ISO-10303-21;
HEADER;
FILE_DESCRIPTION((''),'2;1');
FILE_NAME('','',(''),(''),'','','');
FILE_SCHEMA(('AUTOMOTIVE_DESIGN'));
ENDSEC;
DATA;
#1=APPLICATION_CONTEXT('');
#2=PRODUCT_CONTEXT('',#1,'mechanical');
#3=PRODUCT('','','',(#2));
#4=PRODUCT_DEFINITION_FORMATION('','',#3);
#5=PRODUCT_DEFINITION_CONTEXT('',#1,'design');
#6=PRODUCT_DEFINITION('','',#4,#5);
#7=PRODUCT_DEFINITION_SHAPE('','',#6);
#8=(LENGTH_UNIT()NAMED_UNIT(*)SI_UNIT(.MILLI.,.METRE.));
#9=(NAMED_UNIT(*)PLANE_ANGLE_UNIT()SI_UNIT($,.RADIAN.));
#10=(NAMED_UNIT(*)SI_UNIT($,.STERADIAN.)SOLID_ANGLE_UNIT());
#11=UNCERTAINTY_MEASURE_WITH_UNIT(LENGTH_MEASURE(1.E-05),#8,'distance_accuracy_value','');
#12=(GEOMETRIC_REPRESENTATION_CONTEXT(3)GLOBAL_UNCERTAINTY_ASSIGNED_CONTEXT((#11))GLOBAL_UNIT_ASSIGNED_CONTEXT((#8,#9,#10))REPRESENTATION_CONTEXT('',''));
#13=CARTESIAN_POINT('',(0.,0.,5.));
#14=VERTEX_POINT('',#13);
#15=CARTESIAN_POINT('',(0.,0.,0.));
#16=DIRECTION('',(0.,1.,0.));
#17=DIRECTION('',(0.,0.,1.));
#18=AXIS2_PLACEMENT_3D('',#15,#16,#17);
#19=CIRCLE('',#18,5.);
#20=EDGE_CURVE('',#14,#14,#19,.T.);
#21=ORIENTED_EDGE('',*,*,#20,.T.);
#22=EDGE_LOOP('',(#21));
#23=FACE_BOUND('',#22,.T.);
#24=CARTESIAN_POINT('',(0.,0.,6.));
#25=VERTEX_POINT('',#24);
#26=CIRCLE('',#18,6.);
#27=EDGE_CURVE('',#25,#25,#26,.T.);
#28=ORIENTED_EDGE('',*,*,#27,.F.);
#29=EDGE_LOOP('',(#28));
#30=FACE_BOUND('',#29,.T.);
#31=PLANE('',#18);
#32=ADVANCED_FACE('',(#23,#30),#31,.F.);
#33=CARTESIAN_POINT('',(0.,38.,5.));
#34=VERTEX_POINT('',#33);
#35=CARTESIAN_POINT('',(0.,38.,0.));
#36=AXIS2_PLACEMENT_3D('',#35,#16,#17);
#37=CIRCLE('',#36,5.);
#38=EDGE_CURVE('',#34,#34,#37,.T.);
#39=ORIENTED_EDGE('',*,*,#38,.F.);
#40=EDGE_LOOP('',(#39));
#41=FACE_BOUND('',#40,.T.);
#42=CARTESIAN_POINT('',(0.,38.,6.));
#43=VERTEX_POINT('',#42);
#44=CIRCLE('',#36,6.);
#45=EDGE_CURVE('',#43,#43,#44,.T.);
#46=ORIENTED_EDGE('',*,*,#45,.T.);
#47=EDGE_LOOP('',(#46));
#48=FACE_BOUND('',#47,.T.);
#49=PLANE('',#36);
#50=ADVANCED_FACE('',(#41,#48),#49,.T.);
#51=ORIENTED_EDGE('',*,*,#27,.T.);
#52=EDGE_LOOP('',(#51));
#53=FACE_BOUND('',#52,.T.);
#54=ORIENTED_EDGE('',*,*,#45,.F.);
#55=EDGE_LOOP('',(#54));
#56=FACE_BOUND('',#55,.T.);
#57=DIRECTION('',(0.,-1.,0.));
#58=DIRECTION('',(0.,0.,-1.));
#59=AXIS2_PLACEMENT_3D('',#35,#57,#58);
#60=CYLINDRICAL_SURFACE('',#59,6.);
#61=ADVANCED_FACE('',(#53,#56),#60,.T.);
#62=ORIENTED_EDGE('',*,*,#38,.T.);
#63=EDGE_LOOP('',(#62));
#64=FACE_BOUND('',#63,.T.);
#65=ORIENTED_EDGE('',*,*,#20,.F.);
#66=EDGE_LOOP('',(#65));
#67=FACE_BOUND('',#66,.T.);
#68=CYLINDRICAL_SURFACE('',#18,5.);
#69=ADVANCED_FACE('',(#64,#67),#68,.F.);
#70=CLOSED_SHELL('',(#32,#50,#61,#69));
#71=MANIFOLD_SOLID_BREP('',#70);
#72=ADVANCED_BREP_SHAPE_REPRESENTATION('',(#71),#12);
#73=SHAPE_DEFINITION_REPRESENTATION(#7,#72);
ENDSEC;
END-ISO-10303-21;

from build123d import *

# Parameters (mm, degrees)
SKETCH_1_R          = 6
EXTRUDE_1_DEPTH     = 38
SKETCH_2_R          = 5
CUT_EXTRUDE_1_DEPTH = 39.935844668


with BuildPart() as part:
    # Эскиз1 → Бобышка-Вытянуть1 (new body)
    with BuildSketch(Plane(origin=(0, 0, 0), x_dir=(1, 0, 0), z_dir=(0, 1, 0))):
        with Locations(Location((0, 0, 0), (0, 0, 270))):
            Circle(SKETCH_1_R)
    extrude(amount=EXTRUDE_1_DEPTH)

    # Эскиз2 → Вырез-Вытянуть1 (cut, through all)
    with BuildSketch(Plane(origin=(0, 38, 0), x_dir=(1, 0, 0), z_dir=(0, 1, 0))):
        with Locations(Location((0, 0, 0), (0, 0, 270))):
            Circle(SKETCH_2_R)
    extrude(amount=-CUT_EXTRUDE_1_DEPTH, mode=Mode.SUBTRACT)


solid = part.part
